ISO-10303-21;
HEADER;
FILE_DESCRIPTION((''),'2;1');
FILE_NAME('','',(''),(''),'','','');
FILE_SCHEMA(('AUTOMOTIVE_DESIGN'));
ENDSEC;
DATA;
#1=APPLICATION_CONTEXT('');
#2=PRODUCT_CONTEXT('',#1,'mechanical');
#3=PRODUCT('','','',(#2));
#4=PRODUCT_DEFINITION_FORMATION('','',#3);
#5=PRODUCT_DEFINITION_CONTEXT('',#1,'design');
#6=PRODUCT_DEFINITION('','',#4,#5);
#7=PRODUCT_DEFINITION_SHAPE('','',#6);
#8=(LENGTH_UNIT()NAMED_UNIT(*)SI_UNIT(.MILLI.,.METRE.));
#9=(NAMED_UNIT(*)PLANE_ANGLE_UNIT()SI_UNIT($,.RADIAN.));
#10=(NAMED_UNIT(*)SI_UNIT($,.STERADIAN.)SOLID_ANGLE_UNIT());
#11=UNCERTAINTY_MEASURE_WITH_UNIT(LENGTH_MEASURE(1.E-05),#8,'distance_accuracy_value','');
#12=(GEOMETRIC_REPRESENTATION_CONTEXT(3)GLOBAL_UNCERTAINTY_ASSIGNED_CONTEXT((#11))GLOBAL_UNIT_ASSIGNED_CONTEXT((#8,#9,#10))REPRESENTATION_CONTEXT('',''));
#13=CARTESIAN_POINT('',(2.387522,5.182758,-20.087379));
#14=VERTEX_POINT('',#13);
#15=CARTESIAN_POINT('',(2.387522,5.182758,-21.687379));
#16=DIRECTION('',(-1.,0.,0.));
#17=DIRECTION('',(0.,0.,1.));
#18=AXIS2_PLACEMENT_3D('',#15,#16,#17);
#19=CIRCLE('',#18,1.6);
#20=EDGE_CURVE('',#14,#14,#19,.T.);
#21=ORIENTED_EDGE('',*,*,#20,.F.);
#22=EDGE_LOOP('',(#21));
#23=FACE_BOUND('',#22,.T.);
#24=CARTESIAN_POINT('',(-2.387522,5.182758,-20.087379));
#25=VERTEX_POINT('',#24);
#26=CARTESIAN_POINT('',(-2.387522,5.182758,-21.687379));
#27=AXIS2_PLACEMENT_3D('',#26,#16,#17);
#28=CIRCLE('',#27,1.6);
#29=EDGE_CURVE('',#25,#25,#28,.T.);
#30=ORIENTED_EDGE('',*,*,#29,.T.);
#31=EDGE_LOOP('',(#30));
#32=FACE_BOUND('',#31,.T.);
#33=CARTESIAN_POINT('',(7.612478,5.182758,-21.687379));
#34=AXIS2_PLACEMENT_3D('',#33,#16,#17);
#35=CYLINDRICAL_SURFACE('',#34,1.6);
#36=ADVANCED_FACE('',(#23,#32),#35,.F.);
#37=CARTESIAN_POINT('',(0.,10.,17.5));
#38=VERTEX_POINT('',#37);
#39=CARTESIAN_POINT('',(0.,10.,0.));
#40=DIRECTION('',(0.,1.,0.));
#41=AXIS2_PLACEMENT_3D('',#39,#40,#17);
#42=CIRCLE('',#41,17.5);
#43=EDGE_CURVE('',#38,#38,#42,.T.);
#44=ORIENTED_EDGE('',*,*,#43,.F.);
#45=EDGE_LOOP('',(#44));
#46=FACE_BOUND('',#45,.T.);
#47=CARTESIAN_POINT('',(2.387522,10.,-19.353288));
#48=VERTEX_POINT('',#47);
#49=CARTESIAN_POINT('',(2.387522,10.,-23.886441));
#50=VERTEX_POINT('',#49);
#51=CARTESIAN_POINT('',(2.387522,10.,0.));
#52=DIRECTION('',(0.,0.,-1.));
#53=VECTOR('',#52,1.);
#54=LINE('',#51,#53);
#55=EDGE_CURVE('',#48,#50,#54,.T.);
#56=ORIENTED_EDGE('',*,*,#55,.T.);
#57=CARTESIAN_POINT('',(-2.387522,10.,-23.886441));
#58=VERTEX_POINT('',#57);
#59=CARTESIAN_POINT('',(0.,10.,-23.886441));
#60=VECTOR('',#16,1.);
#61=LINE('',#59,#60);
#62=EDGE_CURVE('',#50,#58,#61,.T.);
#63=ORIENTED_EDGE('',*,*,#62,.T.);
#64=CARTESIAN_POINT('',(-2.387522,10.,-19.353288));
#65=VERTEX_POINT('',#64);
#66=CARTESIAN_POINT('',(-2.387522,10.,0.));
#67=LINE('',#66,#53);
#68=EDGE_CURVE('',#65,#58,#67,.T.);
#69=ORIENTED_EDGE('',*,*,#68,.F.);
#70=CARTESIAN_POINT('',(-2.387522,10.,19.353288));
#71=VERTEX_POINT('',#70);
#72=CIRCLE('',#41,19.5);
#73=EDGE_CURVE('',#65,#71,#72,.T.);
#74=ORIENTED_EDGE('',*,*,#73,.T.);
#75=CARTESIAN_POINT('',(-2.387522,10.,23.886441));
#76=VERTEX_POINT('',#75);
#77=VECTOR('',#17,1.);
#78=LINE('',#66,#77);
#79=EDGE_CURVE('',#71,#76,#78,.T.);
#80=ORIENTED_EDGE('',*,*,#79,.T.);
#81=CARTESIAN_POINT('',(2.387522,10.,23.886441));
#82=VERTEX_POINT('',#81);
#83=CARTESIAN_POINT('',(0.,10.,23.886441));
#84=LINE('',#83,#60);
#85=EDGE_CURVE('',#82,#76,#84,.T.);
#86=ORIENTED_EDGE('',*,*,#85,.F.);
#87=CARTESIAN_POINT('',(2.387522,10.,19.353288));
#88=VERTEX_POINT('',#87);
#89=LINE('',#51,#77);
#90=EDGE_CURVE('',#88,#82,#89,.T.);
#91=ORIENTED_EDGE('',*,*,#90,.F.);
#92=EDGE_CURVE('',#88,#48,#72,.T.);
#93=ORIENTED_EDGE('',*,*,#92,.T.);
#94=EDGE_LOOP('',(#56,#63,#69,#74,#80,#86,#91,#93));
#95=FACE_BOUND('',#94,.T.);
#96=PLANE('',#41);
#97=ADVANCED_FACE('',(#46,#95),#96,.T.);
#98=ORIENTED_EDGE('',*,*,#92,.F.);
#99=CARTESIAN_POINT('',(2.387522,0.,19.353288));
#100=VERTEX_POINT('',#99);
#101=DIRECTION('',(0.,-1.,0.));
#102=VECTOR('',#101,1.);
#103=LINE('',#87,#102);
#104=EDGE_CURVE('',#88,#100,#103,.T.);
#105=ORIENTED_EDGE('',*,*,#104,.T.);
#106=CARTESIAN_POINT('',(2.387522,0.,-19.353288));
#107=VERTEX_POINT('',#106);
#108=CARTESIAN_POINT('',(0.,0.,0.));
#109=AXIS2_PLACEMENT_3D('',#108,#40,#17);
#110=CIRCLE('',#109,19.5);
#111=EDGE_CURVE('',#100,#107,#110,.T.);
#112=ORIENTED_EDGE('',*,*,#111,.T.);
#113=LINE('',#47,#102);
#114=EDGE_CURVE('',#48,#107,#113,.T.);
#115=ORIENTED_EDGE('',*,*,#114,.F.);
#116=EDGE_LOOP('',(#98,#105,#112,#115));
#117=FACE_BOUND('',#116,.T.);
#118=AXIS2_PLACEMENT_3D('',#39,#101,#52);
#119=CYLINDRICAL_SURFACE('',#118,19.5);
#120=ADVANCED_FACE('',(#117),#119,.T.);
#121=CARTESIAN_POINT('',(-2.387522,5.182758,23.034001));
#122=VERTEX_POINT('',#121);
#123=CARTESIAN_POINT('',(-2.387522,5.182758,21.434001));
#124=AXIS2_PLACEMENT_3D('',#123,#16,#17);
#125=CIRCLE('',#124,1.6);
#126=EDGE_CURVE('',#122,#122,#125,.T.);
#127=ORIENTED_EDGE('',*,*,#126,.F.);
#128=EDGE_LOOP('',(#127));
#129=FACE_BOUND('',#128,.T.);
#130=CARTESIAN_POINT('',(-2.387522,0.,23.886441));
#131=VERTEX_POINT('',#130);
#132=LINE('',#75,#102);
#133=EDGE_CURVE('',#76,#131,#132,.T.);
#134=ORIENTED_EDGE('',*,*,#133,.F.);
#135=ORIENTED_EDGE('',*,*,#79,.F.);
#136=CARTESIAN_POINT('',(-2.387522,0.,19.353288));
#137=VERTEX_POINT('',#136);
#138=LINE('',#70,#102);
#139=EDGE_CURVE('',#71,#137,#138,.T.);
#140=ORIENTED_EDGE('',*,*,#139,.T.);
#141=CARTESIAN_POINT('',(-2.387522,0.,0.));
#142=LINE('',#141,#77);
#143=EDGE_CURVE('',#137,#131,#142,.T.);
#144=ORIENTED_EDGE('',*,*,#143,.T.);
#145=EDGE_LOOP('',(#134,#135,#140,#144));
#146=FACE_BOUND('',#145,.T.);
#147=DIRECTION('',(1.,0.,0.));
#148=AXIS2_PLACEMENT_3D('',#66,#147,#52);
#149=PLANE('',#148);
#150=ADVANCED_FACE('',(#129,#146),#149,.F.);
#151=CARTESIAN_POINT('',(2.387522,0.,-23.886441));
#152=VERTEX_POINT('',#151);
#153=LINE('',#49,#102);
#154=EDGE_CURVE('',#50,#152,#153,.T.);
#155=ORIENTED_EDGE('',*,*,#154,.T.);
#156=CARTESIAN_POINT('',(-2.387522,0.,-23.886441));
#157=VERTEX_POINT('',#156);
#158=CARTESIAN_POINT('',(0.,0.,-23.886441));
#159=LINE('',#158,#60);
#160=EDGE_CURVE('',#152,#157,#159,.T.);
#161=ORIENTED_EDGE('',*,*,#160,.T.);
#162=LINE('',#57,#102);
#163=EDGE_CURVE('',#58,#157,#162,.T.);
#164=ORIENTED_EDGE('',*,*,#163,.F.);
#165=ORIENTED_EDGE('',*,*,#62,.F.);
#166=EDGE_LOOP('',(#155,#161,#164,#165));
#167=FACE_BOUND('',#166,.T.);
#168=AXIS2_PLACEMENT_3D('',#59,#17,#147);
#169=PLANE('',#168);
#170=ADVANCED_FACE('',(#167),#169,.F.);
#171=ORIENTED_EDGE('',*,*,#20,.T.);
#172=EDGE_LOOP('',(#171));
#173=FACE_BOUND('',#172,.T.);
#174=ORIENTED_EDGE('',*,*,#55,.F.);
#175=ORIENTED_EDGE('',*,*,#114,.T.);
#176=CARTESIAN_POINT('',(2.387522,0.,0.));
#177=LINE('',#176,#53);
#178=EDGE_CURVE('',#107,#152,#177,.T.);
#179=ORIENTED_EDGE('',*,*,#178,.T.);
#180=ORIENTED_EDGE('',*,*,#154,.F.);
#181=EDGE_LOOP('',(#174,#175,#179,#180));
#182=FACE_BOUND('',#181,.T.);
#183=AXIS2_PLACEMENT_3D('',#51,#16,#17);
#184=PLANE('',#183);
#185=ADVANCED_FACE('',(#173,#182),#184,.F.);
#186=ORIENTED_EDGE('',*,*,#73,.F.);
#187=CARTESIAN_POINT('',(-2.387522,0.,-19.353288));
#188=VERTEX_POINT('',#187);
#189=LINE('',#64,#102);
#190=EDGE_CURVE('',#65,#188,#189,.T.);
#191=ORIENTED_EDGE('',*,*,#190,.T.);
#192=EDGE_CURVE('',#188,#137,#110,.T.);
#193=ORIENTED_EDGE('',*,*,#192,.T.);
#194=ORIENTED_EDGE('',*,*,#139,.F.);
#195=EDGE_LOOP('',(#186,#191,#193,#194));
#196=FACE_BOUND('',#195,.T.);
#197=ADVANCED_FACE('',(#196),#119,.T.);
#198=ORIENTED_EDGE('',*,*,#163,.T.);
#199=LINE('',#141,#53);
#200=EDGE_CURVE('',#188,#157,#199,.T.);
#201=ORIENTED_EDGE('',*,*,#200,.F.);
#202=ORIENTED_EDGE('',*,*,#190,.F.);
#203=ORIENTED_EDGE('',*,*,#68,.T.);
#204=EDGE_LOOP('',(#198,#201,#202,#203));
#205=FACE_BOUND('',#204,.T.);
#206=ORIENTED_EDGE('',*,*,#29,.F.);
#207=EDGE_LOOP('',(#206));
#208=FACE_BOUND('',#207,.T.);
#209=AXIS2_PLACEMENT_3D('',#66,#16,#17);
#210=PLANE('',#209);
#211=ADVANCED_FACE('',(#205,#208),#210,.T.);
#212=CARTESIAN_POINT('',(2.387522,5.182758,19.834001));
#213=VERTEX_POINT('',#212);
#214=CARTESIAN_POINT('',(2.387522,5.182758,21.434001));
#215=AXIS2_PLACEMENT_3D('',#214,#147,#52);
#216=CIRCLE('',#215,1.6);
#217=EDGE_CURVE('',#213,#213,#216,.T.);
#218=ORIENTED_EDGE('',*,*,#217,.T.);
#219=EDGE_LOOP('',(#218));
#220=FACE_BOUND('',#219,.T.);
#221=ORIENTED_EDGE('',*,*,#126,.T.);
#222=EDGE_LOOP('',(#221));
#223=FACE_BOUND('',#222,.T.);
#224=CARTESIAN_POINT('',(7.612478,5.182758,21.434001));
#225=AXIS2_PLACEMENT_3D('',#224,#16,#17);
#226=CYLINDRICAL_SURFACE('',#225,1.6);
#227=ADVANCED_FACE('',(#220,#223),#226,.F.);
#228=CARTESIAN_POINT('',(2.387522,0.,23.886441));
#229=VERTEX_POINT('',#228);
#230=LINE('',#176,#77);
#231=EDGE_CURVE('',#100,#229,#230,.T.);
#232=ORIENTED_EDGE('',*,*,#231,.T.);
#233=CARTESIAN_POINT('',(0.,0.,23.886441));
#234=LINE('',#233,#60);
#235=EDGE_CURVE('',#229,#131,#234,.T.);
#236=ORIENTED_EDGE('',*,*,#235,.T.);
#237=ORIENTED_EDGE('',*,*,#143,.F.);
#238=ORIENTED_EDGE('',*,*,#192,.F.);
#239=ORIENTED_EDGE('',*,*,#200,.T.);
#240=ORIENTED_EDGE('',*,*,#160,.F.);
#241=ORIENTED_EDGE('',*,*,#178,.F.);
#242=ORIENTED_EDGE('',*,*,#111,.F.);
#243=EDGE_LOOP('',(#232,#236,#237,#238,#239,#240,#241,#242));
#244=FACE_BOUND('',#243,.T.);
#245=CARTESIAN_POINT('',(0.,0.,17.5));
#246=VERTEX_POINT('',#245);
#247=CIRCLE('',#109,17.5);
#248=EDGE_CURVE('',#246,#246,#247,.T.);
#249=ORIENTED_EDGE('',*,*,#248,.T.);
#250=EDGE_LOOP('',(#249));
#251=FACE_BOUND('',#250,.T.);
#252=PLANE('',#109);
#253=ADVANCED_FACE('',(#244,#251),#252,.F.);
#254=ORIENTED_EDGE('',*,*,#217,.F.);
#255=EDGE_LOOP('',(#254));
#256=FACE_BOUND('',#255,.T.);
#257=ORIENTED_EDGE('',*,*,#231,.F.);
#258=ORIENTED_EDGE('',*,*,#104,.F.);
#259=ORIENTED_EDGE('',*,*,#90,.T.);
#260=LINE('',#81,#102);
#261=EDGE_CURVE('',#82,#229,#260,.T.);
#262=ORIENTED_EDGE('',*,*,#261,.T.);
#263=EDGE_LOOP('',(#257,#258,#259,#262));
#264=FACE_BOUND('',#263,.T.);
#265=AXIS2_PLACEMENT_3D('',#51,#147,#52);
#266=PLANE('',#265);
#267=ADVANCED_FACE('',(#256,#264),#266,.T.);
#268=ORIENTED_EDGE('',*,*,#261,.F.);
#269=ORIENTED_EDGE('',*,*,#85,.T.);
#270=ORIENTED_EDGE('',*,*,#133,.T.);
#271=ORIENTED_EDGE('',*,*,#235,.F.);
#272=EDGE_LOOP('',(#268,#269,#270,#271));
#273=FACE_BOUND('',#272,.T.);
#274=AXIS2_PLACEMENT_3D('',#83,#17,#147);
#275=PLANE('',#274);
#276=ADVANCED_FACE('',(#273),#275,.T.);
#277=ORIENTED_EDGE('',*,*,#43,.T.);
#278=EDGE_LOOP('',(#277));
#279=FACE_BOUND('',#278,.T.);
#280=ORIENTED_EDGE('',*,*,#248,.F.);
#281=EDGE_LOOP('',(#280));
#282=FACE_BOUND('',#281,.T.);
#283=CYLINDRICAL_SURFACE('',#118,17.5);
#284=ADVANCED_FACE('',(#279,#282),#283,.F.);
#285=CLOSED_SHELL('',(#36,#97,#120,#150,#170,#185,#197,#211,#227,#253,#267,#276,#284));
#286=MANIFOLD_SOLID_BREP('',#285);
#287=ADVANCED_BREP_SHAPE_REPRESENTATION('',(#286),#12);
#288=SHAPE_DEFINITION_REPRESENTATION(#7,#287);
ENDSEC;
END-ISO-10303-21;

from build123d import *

# Parameters (mm, degrees)
SKETCH2_R           = 19.5
SKETCH2_R_2         = 17.5
BOSS_EXTRUDE2_DEPTH = 10
SKETCH3_R           = 1.6
CUT_EXTRUDE1_DEPTH  = 10


with BuildPart() as part:
    # Sketch2 → Boss-Extrude2 (new body)
    # profile 1 of 3: a face of its own
    with BuildSketch(Plane(origin=(0, 0, 0), x_dir=(1, 0, 0), z_dir=(0, 1, 0))):
        Circle(SKETCH2_R)
        with Locations(Location((0, 0, 0), (0, 0, 270))):
            Circle(SKETCH2_R_2, mode=Mode.SUBTRACT)
    # profile 2 of 3: a face of its own
    with BuildSketch(Plane(origin=(0, 0, 0), x_dir=(1, 0, 0), z_dir=(0, 1, 0))):
        with BuildLine():
            ThreePointArc((-2.387522163, 19.353287522), (0, 19.5), (2.387522163, 19.353287522))
            Line((2.387522163, 19.353287522), (2.387522163, 23.886441242))
            Line((2.387522163, 23.886441242), (-2.387522163, 23.886441242))
            Line((-2.387522163, 23.886441242), (-2.387522163, 19.353287522))
        make_face()
    # profile 3 of 3: a face of its own
    with BuildSketch(Plane(origin=(0, 0, 0), x_dir=(1, 0, 0), z_dir=(0, 1, 0))):
        with BuildLine():
            Line((2.387522163, -23.886441242), (2.387522163, -19.353287522))
            ThreePointArc((2.387522163, -19.353287522), (0, -19.5), (-2.387522163, -19.353287522))
            Line((-2.387522163, -19.353287522), (-2.387522163, -23.886441242))
            Line((-2.387522163, -23.886441242), (2.387522163, -23.886441242))
        make_face()
    extrude(amount=BOSS_EXTRUDE2_DEPTH)

    # Sketch3 → Cut-Extrude1 (cut)
    with BuildSketch(Plane.ZY.offset(2.387522163)):
        with Locations((-21.687379423, 5.18275768)):
            Circle(SKETCH3_R)
        with Locations((21.434001351, 5.18275768)):
            Circle(SKETCH3_R)
    extrude(amount=-CUT_EXTRUDE1_DEPTH, mode=Mode.SUBTRACT)


solid = part.part
